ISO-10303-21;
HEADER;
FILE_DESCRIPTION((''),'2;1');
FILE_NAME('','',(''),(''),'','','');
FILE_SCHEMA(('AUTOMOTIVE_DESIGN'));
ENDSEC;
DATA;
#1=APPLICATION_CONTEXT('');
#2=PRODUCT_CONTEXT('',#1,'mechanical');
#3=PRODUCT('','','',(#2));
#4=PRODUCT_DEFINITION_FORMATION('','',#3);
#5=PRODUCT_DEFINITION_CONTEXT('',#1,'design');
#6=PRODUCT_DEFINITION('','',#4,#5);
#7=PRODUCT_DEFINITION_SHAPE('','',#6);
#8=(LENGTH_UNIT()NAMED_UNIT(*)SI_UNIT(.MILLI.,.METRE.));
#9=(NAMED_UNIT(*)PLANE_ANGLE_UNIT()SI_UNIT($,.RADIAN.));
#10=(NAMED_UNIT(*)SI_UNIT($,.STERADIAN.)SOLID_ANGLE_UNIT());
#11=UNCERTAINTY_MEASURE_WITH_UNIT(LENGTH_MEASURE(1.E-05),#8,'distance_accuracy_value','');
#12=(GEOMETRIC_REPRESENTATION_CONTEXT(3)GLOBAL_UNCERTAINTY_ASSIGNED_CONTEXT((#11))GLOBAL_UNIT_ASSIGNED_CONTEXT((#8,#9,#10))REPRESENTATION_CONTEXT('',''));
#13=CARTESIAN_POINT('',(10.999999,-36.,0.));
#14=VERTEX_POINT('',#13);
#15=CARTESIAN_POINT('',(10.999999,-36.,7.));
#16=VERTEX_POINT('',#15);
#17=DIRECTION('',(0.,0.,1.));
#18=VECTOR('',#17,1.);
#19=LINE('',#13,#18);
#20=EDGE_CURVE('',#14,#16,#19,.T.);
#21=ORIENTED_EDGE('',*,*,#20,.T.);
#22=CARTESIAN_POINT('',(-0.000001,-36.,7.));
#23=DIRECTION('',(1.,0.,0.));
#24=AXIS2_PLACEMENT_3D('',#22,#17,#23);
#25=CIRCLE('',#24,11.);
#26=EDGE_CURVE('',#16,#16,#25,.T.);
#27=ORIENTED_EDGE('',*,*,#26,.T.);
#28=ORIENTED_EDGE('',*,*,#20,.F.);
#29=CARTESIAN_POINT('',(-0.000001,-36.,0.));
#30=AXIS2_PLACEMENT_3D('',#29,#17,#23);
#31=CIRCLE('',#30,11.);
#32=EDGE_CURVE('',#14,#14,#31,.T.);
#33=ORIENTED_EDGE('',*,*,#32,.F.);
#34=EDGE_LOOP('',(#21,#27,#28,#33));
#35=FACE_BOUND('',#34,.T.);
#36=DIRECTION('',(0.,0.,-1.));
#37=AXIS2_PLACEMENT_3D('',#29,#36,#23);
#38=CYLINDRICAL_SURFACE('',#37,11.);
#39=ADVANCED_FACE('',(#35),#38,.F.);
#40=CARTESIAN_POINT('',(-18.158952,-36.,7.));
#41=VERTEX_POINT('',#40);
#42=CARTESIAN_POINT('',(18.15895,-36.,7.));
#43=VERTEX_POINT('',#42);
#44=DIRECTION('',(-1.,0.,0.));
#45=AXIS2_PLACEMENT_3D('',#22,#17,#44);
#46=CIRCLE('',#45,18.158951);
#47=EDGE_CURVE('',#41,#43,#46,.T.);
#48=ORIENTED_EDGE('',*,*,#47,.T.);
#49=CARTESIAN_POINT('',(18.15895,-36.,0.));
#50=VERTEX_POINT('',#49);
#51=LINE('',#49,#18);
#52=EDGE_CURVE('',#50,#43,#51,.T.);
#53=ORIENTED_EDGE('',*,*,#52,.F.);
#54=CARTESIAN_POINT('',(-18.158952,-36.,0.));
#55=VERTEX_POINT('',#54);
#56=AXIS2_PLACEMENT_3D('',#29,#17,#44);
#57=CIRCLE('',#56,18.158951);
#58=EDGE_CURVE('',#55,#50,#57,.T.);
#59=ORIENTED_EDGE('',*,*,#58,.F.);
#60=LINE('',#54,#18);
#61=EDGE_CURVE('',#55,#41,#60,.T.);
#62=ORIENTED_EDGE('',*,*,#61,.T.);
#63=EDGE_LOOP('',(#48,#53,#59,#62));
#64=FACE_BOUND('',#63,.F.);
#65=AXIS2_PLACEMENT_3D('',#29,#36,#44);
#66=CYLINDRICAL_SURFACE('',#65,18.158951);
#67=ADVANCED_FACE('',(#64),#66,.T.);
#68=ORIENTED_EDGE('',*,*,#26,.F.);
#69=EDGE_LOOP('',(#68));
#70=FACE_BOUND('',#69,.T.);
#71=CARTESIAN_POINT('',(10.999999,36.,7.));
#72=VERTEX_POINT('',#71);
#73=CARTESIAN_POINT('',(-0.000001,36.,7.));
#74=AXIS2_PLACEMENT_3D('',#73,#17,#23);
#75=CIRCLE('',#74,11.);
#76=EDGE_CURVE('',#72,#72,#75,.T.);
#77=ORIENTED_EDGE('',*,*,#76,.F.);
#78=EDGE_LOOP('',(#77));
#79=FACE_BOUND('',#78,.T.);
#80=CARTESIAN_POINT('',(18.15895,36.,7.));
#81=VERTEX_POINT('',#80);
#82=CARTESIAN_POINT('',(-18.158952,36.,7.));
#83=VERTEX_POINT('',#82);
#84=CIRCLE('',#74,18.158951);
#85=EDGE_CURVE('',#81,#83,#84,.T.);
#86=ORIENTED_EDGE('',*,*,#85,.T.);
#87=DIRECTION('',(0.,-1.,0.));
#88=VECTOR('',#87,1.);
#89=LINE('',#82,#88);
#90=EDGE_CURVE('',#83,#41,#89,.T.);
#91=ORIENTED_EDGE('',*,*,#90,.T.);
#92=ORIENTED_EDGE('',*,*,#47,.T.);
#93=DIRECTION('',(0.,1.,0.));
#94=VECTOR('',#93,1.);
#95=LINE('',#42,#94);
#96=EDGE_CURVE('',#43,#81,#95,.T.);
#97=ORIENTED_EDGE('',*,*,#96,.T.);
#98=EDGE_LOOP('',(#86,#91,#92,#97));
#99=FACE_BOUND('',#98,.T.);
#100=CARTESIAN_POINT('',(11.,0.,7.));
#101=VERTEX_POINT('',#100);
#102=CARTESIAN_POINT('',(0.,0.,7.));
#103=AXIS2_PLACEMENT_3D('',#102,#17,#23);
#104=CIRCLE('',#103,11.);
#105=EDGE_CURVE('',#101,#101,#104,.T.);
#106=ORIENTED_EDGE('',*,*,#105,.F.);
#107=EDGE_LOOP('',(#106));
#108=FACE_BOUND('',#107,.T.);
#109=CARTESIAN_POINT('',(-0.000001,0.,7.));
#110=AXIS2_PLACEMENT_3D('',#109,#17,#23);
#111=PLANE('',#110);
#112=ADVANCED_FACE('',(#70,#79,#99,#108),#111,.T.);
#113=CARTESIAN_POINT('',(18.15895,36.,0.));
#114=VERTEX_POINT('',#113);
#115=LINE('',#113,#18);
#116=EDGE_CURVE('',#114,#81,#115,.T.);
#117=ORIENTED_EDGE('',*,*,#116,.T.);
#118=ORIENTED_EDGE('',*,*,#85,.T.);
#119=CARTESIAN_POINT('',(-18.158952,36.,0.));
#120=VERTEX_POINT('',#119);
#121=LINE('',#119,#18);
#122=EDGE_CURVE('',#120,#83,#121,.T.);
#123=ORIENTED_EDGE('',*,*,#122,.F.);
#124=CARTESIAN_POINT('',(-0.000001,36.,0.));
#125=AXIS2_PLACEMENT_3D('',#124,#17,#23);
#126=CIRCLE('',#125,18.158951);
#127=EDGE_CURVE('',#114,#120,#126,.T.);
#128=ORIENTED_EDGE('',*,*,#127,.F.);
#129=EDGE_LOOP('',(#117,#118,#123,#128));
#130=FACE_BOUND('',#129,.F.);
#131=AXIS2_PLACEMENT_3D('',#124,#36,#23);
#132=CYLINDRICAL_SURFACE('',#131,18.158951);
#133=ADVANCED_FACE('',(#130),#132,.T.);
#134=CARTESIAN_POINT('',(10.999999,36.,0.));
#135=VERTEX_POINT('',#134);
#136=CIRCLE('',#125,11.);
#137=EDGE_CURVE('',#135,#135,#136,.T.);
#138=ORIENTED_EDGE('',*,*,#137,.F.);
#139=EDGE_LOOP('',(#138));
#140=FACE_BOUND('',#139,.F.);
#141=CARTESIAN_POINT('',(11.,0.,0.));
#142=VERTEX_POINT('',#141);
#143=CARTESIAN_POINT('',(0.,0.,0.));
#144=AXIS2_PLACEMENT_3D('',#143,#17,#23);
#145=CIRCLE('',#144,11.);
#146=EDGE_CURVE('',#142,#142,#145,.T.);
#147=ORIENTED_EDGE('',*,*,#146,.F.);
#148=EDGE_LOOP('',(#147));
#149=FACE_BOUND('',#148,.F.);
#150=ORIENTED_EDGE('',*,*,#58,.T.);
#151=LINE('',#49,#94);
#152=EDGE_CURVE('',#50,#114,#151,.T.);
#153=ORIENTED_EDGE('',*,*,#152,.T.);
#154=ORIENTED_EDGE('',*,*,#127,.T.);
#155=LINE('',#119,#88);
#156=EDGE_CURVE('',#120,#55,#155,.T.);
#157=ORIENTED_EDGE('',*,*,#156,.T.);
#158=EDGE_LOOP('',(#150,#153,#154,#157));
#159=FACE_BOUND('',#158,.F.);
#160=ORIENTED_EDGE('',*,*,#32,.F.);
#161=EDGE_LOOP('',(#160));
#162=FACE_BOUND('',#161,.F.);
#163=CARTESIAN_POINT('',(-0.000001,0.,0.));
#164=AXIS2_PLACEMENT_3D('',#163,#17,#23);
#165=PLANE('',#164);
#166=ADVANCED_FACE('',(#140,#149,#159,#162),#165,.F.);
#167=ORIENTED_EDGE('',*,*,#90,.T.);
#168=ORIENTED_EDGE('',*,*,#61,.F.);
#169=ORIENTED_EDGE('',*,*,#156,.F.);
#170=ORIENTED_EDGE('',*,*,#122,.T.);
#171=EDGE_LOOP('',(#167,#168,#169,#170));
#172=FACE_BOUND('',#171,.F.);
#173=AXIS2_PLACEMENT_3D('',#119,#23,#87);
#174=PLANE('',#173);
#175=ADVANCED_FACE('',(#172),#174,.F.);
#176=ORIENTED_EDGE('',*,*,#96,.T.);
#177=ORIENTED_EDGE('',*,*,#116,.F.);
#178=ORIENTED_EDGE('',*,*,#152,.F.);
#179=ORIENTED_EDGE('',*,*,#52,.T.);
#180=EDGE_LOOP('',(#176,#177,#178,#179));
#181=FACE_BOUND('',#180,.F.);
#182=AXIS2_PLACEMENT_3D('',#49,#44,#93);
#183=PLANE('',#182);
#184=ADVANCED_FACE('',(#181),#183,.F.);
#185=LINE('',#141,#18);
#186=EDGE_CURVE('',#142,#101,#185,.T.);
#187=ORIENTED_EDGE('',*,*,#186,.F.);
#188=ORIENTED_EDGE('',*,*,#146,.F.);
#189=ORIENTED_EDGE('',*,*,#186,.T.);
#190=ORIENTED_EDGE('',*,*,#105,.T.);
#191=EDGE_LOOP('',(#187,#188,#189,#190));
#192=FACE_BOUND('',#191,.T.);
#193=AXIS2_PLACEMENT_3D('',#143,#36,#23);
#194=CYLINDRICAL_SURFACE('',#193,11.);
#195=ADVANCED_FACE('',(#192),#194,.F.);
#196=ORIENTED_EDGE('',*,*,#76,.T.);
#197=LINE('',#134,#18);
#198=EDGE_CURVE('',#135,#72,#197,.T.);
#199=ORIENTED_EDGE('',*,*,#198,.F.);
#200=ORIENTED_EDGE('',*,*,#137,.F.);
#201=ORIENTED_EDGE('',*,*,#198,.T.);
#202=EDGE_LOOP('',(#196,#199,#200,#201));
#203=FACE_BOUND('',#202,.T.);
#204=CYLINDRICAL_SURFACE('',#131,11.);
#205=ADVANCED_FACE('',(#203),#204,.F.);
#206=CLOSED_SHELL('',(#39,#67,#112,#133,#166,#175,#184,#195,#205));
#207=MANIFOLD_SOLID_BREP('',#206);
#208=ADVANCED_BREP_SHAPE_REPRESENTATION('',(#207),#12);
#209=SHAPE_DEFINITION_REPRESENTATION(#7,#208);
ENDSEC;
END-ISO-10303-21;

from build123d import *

# Parameters (mm, degrees)
F0_R     = 11
F1_DEPTH = 7


with BuildPart() as f1:
    # F0 (on Top) → F1 (new body)
    with BuildSketch(Plane.XY):
        with BuildLine():
            ThreePointArc((18.15895, 36), (-1e-06, 54.158951), (-18.158952, 36))
            Line((-18.158952, 36), (-18.158952, -36))
            ThreePointArc((-18.158952, -36), (-1e-06, -54.158951), (18.15895, -36))
            Line((18.15895, -36), (18.15895, 36))
        make_face()
        with Locations((-1e-06, -36)):
            Circle(F0_R, mode=Mode.SUBTRACT)
        with Locations((-1e-06, 36)):
            Circle(F0_R, mode=Mode.SUBTRACT)
        Circle(F0_R, mode=Mode.SUBTRACT)
    extrude(amount=F1_DEPTH)


solid = f1.part
